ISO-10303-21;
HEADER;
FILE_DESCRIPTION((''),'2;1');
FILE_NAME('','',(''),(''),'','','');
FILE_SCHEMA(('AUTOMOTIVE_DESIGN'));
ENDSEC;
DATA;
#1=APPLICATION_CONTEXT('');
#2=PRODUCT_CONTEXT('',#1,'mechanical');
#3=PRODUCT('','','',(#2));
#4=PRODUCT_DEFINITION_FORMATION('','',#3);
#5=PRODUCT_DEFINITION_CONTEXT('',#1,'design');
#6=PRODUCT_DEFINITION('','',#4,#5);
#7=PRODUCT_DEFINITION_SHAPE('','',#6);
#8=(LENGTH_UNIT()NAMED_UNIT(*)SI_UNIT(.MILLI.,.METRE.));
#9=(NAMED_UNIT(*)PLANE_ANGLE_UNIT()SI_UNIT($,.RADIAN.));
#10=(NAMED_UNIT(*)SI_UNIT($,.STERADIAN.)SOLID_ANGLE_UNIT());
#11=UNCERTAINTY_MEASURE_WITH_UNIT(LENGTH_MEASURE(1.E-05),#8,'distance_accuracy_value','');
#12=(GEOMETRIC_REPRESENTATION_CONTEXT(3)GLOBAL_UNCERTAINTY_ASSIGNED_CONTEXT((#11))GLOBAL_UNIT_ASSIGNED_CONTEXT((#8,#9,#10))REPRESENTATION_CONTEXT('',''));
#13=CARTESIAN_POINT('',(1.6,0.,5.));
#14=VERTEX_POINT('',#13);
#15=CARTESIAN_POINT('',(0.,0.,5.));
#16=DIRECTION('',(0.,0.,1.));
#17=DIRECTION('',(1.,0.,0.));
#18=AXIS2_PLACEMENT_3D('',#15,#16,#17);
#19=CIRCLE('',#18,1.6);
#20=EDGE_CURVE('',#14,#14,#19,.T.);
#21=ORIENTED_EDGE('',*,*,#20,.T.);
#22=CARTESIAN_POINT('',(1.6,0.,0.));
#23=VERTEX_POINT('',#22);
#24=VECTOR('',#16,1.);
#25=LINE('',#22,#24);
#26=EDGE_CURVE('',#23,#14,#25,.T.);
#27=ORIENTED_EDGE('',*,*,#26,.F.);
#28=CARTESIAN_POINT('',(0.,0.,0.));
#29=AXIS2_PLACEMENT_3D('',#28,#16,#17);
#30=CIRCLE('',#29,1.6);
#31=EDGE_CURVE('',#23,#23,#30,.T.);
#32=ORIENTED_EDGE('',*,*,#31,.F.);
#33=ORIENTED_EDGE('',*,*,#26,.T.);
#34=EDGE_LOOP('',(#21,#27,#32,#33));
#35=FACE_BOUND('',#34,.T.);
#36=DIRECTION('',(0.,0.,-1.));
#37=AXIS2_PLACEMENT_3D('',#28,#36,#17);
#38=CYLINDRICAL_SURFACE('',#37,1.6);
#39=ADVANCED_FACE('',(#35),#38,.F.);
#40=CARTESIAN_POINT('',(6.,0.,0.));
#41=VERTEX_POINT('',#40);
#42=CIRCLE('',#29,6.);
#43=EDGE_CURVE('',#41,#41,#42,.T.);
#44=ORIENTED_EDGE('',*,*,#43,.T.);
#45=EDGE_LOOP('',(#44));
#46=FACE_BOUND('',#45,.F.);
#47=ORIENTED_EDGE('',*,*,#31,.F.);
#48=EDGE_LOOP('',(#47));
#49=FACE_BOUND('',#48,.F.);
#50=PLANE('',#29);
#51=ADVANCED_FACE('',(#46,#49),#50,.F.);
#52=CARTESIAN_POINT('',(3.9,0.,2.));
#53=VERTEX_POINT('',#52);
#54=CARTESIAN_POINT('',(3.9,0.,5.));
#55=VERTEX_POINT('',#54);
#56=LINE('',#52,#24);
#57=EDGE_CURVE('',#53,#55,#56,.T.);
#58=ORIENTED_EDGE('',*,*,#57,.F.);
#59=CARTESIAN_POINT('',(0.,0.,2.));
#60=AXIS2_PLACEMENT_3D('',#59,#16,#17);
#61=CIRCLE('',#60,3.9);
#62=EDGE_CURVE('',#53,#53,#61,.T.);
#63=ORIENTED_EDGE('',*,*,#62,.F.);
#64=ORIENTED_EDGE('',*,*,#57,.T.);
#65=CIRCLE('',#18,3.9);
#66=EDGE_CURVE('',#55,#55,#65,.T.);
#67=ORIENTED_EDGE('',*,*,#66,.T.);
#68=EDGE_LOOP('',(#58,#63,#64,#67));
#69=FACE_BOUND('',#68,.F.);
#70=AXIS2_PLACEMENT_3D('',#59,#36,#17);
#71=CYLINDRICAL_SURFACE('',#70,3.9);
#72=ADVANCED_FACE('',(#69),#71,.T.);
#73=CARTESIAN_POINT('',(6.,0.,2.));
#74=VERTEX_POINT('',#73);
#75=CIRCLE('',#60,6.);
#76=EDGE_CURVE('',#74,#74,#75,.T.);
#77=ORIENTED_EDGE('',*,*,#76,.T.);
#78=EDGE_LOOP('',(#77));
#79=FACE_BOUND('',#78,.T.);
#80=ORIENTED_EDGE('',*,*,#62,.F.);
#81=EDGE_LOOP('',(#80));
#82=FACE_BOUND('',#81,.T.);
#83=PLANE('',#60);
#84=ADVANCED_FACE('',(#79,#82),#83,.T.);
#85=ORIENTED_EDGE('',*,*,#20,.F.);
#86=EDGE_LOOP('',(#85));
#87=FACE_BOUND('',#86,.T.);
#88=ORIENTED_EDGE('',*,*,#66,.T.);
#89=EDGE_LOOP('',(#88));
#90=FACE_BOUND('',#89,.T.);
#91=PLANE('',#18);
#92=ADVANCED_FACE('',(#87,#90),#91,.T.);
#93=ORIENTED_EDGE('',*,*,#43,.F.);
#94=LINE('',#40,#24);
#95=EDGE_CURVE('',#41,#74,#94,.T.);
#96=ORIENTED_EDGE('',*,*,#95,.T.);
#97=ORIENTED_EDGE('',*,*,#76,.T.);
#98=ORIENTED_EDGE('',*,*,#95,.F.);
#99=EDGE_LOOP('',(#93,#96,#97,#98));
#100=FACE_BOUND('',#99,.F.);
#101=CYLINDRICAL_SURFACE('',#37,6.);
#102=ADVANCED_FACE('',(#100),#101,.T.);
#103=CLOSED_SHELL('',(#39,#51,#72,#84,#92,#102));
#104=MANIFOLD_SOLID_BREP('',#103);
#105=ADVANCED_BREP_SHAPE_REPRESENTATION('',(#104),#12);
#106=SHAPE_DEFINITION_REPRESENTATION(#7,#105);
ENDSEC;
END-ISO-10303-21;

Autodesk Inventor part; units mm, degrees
ref_plane "YZ Plane" through (0, 0, 0) normal (1, 0, 0) x (0, 1, 0)
ref_plane "XZ Plane" through (0, 0, 0) normal (0, 1, 0) x (-1, 0, 0)
ref_plane "XY Plane" through (0, 0, 0) normal (0, 0, 1) x (1, 0, 0)
sketch "Sketch1" plane through (0, 0, 0) normal (0, 0, 1) x (1, 0, 0)
  circle A0 centre (0, 0) radius 1.6
  circle A1 centre (0, 0) radius 6
  dimension "d0" = 3.2
  dimension "d1" = 12
extrude "Extrusion1" add sketch "Sketch1" along normal blind 2
sketch "Sketch2" plane through (0, 0, 2) normal (0, 0, 1) x (1, 0, 0)
  circle A0 centre (0, 0) radius 1.6 projected
  circle A1 centre (0, 0) radius 3.9
  dimension "d4" = 7.8
extrude "Extrusion2" add sketch "Sketch2" along normal blind 3
properties part number "spacer top"
